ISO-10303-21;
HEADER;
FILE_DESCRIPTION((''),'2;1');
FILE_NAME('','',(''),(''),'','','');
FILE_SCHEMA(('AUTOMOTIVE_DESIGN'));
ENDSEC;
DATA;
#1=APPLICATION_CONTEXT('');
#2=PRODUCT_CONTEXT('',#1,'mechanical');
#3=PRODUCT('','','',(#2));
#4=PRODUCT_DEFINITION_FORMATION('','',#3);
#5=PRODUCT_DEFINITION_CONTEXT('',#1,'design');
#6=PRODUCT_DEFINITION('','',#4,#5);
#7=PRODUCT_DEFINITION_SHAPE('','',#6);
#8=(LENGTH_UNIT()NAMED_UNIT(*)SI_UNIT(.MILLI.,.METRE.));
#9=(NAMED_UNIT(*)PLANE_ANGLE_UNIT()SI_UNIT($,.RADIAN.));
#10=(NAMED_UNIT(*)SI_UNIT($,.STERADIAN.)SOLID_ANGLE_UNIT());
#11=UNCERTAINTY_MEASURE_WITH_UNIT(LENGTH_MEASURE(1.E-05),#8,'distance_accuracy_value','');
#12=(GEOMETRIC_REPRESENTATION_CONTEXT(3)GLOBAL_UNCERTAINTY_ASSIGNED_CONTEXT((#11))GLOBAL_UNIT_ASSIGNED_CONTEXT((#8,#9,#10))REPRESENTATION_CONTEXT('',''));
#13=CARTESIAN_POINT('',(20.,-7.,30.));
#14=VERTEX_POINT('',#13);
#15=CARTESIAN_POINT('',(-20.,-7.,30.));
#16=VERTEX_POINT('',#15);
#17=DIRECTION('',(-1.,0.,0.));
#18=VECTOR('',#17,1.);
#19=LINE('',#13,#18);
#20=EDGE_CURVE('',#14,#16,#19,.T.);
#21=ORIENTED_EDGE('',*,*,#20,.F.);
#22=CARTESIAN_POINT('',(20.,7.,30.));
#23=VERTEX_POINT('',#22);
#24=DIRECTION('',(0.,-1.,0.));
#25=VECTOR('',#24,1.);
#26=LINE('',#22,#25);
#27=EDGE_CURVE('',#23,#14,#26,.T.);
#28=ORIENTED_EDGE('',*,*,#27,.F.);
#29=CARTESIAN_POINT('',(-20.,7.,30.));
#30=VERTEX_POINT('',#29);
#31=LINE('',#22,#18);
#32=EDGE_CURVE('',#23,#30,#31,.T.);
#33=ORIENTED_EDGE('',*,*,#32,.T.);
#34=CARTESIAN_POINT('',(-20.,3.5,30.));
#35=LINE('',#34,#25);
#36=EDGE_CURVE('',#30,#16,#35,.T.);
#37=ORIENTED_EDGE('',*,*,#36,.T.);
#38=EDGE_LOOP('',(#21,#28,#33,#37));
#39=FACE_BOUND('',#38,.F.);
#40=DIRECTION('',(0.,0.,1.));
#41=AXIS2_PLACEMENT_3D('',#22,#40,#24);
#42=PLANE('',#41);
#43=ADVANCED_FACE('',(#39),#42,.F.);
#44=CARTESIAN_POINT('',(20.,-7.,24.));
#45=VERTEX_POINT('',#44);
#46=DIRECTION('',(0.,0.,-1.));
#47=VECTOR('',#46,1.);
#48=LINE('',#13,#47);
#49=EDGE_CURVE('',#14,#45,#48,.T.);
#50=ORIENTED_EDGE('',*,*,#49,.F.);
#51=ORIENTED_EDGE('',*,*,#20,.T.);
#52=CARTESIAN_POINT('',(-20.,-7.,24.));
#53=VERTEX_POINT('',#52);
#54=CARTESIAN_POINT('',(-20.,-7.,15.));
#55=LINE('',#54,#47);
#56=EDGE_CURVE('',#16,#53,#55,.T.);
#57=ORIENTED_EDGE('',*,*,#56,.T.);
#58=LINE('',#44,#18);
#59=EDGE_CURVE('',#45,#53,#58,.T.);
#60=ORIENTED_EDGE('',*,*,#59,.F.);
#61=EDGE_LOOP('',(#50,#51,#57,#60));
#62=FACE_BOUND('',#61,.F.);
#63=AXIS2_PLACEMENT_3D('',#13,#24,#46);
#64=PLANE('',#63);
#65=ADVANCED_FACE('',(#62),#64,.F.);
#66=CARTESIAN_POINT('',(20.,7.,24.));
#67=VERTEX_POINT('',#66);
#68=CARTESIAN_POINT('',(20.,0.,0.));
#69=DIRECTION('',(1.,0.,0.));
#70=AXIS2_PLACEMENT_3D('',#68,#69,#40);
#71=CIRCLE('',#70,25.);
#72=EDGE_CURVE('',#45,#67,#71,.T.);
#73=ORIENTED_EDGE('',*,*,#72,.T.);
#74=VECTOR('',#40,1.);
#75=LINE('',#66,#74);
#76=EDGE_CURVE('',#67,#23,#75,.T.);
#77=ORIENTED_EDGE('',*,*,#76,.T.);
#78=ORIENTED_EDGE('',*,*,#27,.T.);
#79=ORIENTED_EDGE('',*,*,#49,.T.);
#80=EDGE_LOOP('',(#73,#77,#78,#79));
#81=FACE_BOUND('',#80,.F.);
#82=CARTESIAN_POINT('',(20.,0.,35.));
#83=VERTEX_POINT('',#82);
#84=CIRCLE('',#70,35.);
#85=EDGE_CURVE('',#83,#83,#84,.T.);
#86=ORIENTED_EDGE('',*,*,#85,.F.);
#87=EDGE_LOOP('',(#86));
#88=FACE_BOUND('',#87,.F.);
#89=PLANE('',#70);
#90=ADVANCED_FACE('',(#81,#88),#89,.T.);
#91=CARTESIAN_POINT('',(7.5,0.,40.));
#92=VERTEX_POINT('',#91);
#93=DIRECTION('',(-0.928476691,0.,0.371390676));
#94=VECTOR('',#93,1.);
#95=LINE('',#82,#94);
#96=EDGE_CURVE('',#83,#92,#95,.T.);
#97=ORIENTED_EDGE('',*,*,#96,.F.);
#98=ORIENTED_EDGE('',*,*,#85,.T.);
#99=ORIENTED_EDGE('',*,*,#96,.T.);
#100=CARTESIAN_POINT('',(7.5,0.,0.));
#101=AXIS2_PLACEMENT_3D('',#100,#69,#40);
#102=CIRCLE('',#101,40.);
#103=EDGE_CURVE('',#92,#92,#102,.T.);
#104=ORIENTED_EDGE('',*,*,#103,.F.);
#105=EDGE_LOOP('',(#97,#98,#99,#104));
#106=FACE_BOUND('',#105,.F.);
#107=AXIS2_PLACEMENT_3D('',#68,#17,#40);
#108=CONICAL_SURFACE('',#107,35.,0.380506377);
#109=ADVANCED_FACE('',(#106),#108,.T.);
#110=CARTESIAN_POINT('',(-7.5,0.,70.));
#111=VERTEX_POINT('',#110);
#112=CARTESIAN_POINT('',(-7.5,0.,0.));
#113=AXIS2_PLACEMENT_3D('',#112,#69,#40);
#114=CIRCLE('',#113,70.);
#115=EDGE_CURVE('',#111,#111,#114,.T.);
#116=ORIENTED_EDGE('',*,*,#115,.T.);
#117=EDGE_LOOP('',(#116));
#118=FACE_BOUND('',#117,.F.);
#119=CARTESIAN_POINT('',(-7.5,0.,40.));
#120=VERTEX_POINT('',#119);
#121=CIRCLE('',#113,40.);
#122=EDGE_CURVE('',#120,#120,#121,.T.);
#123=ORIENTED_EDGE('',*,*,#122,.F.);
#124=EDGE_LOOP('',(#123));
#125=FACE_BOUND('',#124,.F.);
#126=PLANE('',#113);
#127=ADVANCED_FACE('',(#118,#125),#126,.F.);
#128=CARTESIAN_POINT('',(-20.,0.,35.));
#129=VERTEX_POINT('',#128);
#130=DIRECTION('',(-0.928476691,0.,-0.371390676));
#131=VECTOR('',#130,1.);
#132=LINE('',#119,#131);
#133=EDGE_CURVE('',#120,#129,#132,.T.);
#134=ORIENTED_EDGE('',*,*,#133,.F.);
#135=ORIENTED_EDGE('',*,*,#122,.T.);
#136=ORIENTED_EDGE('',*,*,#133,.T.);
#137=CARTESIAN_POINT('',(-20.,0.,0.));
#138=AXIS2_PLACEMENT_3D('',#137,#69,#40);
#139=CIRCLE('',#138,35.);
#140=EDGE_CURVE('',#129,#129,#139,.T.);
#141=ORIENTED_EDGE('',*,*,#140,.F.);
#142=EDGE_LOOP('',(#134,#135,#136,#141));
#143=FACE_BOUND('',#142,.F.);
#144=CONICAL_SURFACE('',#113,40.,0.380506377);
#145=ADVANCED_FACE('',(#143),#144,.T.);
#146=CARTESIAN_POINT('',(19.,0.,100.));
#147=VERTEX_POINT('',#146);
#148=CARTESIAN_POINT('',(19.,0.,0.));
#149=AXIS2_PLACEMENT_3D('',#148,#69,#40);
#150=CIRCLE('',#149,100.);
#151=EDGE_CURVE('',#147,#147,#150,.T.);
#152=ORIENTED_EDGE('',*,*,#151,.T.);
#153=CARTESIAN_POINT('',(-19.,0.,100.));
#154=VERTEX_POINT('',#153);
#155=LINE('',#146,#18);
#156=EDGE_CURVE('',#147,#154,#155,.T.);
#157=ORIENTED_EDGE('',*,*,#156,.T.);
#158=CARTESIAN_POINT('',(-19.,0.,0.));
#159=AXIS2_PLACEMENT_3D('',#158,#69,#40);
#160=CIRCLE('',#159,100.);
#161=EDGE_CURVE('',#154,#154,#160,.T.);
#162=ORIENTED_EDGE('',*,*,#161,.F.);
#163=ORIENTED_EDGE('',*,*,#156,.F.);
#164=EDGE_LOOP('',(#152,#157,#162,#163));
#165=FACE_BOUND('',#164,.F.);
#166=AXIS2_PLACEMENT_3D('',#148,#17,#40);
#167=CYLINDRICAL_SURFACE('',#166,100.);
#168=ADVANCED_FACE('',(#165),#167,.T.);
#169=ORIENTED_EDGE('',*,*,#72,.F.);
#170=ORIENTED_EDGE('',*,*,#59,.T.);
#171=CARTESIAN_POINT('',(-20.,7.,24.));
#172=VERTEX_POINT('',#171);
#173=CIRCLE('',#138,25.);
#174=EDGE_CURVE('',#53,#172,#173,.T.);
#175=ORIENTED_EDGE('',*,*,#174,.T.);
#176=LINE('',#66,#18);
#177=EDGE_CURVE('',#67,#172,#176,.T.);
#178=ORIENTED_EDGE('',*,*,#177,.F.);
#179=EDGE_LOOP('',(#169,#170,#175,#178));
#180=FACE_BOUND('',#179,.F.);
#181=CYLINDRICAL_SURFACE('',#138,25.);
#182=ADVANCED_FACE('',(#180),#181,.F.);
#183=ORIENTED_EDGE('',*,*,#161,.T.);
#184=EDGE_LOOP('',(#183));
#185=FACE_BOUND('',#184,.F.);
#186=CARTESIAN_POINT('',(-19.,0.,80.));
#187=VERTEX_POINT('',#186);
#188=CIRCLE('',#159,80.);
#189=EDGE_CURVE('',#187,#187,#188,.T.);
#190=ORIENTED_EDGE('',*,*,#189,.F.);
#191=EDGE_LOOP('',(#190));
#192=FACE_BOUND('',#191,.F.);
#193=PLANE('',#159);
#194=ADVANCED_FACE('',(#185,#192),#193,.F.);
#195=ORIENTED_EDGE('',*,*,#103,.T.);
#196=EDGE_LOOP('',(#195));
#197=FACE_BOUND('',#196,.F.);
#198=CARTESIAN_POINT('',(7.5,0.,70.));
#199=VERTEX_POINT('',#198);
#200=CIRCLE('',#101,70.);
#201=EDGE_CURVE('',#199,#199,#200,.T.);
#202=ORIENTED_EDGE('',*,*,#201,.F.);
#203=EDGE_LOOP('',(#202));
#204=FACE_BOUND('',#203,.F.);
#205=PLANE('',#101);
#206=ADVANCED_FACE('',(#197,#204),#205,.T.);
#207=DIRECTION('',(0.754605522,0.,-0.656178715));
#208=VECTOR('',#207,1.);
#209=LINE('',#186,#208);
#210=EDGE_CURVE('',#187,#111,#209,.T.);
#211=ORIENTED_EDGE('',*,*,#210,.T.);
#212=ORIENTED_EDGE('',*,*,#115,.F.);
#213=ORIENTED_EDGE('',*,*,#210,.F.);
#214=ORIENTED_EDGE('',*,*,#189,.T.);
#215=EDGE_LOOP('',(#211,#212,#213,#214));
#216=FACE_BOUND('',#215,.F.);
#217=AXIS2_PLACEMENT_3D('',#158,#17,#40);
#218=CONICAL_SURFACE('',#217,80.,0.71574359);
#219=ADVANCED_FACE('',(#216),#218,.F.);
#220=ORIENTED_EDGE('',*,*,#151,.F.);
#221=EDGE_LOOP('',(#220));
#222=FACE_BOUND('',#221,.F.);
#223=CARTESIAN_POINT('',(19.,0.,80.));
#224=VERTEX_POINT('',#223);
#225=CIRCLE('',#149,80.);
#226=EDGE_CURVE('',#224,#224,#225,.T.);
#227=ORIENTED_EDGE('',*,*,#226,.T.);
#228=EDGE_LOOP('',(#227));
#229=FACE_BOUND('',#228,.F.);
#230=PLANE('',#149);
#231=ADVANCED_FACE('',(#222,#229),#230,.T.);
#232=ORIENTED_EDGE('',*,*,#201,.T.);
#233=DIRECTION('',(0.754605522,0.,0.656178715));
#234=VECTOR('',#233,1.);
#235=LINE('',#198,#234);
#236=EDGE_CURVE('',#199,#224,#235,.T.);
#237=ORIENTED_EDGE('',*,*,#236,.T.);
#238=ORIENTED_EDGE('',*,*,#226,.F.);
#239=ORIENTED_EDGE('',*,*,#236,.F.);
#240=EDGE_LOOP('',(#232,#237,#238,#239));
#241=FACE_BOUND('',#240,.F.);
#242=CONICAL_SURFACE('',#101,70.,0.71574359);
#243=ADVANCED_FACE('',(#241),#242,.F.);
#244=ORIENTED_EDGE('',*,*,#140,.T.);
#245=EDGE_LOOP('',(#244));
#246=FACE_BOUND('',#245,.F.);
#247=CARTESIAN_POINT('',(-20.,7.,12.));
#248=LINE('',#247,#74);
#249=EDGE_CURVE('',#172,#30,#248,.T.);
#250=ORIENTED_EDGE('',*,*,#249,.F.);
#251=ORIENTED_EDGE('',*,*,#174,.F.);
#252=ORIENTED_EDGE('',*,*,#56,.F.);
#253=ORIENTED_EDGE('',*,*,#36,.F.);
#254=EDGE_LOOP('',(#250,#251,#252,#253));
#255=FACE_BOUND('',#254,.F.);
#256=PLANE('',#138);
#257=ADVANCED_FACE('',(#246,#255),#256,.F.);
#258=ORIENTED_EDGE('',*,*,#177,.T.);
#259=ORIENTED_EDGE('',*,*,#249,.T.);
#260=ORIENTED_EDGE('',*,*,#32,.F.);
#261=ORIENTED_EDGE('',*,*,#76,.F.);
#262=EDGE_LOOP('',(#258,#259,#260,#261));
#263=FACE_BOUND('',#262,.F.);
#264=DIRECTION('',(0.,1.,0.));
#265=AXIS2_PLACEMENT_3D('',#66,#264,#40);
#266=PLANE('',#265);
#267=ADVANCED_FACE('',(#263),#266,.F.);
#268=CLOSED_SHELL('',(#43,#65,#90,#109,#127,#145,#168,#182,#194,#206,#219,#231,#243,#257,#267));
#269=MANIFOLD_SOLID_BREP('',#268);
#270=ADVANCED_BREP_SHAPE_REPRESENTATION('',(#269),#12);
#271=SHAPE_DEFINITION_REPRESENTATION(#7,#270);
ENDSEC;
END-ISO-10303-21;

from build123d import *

# Parameters (mm, degrees)
F3_DEPTH = 40.001


with BuildPart() as f1:
    # F0 (on Front) → F1 (revolve)
    with BuildSketch(Plane.XZ):
        Polygon((-20, 25), (0, 25), (20, 25), (20, 35), (7.5, 40), (7.5, 70), (19, 80), (19, 100), (0, 100), (-19, 100), (-19, 80), (-7.5, 70), (-7.5, 40), (-20, 35), align=None)
    revolve(axis=Axis((21.959458, 0, 0), (1, 0, 0)))

    # F2 (on face) → F3 (cut, through all)
    with BuildSketch(Plane.YZ.offset(20)):
        with BuildLine():
            Line((7, 24), (7, 30))
            Line((7, 30), (-7, 30))
            Line((-7, 30), (-7, 24))
            ThreePointArc((-7, 24), (0, 25), (7, 24))
        make_face()
    extrude(amount=-F3_DEPTH, mode=Mode.SUBTRACT)


solid = f1.part
